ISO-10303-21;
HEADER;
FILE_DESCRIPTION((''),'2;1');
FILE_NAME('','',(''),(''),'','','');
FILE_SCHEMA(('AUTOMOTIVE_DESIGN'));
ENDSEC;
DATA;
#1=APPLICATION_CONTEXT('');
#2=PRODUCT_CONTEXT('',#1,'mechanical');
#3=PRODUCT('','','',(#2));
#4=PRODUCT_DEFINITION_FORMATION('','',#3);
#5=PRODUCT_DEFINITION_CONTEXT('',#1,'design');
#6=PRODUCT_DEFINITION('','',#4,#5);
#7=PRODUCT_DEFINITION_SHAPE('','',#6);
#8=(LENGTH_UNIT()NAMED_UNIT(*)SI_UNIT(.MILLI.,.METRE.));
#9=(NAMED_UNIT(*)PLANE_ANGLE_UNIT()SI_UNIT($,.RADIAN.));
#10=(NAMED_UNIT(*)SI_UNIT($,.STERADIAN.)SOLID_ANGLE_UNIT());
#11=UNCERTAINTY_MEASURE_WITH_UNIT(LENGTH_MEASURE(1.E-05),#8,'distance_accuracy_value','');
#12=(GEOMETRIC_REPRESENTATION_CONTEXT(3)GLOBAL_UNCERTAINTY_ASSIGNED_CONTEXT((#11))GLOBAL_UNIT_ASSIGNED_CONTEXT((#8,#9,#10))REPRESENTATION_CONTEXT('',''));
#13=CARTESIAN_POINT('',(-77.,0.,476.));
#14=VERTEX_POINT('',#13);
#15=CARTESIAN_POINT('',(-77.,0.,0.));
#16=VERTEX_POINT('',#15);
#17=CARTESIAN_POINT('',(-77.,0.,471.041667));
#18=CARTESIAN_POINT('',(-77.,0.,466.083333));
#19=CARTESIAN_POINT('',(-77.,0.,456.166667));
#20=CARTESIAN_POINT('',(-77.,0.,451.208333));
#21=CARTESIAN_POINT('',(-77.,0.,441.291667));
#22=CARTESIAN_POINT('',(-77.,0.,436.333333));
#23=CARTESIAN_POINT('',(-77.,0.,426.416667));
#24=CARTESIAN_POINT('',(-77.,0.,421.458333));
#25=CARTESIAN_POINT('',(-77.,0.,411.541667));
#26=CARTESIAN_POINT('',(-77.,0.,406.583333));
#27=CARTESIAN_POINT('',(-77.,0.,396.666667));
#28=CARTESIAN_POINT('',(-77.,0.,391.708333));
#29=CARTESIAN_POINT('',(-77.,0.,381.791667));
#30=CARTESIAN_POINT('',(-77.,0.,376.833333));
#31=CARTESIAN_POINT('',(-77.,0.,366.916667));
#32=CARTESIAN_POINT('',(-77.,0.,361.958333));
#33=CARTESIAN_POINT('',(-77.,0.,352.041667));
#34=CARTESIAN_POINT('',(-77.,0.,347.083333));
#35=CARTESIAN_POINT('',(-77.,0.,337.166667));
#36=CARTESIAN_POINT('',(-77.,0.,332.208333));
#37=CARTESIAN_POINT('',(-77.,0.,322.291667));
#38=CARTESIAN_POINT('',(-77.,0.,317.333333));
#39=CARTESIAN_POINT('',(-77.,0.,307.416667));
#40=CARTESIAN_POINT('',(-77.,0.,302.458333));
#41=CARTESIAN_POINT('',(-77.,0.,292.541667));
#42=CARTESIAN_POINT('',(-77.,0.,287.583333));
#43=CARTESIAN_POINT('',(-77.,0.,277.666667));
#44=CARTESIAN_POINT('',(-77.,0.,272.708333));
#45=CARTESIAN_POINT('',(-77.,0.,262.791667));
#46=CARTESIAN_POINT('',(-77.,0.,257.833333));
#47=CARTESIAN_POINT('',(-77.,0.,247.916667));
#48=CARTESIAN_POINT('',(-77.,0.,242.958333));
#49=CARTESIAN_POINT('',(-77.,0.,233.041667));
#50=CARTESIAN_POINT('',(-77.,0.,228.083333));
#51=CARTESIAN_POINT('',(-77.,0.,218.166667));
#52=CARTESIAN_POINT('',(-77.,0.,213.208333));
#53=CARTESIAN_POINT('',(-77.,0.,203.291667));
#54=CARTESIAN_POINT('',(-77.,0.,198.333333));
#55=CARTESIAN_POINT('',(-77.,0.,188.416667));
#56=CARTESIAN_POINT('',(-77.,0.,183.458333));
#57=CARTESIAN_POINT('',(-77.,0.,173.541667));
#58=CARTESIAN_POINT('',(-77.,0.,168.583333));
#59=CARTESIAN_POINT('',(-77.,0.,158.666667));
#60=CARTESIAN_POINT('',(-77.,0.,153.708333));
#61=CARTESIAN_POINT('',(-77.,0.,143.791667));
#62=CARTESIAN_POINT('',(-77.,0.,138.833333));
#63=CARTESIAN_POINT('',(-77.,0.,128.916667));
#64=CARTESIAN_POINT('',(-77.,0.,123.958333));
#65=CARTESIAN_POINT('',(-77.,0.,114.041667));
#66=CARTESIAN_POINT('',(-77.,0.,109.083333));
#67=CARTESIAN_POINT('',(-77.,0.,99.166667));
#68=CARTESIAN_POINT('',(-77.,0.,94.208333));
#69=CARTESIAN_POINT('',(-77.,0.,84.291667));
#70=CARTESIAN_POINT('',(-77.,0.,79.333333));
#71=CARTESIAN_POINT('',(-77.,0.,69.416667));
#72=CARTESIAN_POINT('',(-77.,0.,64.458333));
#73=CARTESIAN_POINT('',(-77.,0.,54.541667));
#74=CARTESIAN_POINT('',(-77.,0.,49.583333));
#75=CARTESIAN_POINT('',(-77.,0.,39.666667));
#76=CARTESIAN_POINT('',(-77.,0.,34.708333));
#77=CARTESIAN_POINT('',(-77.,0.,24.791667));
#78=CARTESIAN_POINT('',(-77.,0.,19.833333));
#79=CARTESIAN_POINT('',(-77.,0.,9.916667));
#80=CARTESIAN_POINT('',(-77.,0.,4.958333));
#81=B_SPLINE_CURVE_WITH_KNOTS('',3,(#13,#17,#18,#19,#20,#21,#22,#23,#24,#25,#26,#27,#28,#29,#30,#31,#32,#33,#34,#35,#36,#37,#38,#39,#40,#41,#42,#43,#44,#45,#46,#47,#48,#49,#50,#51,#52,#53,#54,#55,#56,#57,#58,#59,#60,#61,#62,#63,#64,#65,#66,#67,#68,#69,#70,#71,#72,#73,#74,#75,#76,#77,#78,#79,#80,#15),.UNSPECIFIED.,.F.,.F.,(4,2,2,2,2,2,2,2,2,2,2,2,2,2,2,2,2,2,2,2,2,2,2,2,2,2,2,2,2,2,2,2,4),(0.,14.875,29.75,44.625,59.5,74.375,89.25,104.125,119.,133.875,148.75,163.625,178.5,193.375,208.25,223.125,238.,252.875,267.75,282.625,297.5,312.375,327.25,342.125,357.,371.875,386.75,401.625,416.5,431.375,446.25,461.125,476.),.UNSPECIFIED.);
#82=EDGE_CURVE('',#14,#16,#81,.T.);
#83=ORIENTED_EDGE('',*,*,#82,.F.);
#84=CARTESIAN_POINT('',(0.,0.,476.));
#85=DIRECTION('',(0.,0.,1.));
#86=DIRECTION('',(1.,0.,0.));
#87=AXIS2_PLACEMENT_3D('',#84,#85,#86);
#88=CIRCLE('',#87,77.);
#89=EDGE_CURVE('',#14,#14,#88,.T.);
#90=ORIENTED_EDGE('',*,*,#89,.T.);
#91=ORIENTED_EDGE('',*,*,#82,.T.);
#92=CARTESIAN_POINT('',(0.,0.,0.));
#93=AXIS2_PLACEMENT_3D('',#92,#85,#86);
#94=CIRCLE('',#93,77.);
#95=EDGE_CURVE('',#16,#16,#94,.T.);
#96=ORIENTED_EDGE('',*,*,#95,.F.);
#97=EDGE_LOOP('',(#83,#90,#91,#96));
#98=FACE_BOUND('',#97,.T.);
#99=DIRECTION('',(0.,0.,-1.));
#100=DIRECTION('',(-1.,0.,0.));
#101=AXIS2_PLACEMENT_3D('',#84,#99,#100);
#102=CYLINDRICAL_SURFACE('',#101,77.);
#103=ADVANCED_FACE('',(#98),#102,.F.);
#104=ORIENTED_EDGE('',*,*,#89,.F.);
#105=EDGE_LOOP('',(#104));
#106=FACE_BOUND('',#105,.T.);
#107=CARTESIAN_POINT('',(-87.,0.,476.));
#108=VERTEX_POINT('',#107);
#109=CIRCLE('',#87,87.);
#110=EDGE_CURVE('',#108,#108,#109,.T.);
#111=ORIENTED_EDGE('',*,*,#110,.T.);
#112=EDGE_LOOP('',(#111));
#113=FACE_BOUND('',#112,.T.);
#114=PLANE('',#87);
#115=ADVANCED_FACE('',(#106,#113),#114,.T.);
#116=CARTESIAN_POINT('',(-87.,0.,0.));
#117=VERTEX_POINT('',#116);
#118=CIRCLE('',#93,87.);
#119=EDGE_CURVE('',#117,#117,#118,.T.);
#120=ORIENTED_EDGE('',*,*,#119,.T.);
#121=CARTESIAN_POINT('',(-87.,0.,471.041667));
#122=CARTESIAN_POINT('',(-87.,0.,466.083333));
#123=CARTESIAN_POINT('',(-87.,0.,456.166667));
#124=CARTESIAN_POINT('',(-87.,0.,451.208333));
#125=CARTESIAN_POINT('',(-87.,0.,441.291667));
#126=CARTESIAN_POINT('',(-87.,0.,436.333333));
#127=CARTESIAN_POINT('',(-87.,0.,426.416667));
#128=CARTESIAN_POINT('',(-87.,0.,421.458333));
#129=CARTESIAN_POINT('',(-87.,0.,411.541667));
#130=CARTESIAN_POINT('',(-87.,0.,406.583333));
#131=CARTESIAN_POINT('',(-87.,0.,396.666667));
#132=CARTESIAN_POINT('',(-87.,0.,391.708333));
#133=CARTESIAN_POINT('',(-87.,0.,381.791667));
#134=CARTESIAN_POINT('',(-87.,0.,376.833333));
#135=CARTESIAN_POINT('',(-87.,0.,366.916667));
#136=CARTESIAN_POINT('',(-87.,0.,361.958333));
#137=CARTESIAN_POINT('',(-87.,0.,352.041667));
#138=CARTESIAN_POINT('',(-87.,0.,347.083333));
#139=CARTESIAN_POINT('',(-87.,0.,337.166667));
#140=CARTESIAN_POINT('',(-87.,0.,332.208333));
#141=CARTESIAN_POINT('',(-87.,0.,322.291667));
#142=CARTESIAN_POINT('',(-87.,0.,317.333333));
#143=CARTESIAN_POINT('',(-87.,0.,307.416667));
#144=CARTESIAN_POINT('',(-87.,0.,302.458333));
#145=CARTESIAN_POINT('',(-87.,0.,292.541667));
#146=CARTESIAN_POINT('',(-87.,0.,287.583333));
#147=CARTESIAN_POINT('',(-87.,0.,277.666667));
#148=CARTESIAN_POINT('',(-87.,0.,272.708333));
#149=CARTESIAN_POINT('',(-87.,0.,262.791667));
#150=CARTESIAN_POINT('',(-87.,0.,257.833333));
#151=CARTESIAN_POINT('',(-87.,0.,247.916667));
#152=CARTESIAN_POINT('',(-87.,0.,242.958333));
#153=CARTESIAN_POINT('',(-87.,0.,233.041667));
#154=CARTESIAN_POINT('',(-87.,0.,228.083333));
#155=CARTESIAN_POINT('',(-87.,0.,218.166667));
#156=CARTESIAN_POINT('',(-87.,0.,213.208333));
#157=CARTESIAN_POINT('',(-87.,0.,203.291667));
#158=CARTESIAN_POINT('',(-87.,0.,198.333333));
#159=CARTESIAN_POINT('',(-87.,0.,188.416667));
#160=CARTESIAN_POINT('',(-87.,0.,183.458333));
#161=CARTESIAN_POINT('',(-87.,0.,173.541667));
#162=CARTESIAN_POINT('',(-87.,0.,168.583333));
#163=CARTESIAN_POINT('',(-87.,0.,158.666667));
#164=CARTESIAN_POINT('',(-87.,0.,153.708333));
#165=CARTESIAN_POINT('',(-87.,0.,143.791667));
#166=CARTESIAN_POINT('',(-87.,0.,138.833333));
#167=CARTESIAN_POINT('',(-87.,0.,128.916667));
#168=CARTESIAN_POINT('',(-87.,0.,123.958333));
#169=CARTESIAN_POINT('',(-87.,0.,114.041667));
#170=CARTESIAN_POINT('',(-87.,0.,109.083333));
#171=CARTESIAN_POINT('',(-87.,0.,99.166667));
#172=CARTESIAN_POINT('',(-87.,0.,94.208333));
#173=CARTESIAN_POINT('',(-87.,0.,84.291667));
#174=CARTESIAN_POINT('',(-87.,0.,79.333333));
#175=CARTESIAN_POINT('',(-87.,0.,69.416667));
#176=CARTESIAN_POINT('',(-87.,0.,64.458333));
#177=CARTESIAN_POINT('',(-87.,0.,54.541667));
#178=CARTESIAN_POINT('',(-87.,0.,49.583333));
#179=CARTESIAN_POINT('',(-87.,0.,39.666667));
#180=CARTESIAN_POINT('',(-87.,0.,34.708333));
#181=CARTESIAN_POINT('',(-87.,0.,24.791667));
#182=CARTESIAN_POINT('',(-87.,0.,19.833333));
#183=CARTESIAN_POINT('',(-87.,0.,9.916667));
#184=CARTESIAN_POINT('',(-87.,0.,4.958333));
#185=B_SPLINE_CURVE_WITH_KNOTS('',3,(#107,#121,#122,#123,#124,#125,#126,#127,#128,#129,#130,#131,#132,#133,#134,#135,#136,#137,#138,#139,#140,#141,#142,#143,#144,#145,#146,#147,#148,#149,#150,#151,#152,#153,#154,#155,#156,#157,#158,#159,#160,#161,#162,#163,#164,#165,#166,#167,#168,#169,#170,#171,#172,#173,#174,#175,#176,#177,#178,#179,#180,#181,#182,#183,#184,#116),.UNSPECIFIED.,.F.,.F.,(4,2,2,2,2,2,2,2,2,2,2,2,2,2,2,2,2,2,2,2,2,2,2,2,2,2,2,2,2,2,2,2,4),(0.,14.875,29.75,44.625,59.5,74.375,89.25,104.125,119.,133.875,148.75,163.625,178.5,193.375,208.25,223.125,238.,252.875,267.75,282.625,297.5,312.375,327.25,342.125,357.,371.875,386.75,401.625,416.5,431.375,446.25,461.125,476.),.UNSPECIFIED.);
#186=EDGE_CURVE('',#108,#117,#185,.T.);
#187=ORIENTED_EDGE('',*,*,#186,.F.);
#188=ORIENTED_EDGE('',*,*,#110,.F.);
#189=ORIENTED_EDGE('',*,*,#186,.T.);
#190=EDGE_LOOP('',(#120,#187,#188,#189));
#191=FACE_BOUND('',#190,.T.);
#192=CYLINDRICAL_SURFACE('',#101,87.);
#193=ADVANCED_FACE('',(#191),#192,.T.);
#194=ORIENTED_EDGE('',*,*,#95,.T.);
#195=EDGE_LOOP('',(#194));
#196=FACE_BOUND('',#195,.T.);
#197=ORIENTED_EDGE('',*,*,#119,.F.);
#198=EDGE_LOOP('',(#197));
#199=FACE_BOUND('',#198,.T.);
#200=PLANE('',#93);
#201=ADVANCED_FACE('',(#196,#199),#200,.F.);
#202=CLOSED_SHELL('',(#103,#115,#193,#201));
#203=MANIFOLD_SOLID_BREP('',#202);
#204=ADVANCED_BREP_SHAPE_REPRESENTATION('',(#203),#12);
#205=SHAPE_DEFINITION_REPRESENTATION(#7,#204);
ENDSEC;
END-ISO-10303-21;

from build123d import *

# Parameters (mm, degrees)
SKETCH5_R           = 87
SKETCH5_R_2         = 77
BOSS_EXTRUDE3_DEPTH = 476


with BuildPart() as part:
    # Sketch5 → Boss-Extrude3 (new body)
    with BuildSketch(Plane.XY):
        with Locations(Location((0, 0, 0), (0, 0, 180))):
            Circle(SKETCH5_R)
        with Locations(Location((0, 0, 0), (0, 0, 180))):
            Circle(SKETCH5_R_2, mode=Mode.SUBTRACT)
    extrude(amount=BOSS_EXTRUDE3_DEPTH)


solid = part.part
